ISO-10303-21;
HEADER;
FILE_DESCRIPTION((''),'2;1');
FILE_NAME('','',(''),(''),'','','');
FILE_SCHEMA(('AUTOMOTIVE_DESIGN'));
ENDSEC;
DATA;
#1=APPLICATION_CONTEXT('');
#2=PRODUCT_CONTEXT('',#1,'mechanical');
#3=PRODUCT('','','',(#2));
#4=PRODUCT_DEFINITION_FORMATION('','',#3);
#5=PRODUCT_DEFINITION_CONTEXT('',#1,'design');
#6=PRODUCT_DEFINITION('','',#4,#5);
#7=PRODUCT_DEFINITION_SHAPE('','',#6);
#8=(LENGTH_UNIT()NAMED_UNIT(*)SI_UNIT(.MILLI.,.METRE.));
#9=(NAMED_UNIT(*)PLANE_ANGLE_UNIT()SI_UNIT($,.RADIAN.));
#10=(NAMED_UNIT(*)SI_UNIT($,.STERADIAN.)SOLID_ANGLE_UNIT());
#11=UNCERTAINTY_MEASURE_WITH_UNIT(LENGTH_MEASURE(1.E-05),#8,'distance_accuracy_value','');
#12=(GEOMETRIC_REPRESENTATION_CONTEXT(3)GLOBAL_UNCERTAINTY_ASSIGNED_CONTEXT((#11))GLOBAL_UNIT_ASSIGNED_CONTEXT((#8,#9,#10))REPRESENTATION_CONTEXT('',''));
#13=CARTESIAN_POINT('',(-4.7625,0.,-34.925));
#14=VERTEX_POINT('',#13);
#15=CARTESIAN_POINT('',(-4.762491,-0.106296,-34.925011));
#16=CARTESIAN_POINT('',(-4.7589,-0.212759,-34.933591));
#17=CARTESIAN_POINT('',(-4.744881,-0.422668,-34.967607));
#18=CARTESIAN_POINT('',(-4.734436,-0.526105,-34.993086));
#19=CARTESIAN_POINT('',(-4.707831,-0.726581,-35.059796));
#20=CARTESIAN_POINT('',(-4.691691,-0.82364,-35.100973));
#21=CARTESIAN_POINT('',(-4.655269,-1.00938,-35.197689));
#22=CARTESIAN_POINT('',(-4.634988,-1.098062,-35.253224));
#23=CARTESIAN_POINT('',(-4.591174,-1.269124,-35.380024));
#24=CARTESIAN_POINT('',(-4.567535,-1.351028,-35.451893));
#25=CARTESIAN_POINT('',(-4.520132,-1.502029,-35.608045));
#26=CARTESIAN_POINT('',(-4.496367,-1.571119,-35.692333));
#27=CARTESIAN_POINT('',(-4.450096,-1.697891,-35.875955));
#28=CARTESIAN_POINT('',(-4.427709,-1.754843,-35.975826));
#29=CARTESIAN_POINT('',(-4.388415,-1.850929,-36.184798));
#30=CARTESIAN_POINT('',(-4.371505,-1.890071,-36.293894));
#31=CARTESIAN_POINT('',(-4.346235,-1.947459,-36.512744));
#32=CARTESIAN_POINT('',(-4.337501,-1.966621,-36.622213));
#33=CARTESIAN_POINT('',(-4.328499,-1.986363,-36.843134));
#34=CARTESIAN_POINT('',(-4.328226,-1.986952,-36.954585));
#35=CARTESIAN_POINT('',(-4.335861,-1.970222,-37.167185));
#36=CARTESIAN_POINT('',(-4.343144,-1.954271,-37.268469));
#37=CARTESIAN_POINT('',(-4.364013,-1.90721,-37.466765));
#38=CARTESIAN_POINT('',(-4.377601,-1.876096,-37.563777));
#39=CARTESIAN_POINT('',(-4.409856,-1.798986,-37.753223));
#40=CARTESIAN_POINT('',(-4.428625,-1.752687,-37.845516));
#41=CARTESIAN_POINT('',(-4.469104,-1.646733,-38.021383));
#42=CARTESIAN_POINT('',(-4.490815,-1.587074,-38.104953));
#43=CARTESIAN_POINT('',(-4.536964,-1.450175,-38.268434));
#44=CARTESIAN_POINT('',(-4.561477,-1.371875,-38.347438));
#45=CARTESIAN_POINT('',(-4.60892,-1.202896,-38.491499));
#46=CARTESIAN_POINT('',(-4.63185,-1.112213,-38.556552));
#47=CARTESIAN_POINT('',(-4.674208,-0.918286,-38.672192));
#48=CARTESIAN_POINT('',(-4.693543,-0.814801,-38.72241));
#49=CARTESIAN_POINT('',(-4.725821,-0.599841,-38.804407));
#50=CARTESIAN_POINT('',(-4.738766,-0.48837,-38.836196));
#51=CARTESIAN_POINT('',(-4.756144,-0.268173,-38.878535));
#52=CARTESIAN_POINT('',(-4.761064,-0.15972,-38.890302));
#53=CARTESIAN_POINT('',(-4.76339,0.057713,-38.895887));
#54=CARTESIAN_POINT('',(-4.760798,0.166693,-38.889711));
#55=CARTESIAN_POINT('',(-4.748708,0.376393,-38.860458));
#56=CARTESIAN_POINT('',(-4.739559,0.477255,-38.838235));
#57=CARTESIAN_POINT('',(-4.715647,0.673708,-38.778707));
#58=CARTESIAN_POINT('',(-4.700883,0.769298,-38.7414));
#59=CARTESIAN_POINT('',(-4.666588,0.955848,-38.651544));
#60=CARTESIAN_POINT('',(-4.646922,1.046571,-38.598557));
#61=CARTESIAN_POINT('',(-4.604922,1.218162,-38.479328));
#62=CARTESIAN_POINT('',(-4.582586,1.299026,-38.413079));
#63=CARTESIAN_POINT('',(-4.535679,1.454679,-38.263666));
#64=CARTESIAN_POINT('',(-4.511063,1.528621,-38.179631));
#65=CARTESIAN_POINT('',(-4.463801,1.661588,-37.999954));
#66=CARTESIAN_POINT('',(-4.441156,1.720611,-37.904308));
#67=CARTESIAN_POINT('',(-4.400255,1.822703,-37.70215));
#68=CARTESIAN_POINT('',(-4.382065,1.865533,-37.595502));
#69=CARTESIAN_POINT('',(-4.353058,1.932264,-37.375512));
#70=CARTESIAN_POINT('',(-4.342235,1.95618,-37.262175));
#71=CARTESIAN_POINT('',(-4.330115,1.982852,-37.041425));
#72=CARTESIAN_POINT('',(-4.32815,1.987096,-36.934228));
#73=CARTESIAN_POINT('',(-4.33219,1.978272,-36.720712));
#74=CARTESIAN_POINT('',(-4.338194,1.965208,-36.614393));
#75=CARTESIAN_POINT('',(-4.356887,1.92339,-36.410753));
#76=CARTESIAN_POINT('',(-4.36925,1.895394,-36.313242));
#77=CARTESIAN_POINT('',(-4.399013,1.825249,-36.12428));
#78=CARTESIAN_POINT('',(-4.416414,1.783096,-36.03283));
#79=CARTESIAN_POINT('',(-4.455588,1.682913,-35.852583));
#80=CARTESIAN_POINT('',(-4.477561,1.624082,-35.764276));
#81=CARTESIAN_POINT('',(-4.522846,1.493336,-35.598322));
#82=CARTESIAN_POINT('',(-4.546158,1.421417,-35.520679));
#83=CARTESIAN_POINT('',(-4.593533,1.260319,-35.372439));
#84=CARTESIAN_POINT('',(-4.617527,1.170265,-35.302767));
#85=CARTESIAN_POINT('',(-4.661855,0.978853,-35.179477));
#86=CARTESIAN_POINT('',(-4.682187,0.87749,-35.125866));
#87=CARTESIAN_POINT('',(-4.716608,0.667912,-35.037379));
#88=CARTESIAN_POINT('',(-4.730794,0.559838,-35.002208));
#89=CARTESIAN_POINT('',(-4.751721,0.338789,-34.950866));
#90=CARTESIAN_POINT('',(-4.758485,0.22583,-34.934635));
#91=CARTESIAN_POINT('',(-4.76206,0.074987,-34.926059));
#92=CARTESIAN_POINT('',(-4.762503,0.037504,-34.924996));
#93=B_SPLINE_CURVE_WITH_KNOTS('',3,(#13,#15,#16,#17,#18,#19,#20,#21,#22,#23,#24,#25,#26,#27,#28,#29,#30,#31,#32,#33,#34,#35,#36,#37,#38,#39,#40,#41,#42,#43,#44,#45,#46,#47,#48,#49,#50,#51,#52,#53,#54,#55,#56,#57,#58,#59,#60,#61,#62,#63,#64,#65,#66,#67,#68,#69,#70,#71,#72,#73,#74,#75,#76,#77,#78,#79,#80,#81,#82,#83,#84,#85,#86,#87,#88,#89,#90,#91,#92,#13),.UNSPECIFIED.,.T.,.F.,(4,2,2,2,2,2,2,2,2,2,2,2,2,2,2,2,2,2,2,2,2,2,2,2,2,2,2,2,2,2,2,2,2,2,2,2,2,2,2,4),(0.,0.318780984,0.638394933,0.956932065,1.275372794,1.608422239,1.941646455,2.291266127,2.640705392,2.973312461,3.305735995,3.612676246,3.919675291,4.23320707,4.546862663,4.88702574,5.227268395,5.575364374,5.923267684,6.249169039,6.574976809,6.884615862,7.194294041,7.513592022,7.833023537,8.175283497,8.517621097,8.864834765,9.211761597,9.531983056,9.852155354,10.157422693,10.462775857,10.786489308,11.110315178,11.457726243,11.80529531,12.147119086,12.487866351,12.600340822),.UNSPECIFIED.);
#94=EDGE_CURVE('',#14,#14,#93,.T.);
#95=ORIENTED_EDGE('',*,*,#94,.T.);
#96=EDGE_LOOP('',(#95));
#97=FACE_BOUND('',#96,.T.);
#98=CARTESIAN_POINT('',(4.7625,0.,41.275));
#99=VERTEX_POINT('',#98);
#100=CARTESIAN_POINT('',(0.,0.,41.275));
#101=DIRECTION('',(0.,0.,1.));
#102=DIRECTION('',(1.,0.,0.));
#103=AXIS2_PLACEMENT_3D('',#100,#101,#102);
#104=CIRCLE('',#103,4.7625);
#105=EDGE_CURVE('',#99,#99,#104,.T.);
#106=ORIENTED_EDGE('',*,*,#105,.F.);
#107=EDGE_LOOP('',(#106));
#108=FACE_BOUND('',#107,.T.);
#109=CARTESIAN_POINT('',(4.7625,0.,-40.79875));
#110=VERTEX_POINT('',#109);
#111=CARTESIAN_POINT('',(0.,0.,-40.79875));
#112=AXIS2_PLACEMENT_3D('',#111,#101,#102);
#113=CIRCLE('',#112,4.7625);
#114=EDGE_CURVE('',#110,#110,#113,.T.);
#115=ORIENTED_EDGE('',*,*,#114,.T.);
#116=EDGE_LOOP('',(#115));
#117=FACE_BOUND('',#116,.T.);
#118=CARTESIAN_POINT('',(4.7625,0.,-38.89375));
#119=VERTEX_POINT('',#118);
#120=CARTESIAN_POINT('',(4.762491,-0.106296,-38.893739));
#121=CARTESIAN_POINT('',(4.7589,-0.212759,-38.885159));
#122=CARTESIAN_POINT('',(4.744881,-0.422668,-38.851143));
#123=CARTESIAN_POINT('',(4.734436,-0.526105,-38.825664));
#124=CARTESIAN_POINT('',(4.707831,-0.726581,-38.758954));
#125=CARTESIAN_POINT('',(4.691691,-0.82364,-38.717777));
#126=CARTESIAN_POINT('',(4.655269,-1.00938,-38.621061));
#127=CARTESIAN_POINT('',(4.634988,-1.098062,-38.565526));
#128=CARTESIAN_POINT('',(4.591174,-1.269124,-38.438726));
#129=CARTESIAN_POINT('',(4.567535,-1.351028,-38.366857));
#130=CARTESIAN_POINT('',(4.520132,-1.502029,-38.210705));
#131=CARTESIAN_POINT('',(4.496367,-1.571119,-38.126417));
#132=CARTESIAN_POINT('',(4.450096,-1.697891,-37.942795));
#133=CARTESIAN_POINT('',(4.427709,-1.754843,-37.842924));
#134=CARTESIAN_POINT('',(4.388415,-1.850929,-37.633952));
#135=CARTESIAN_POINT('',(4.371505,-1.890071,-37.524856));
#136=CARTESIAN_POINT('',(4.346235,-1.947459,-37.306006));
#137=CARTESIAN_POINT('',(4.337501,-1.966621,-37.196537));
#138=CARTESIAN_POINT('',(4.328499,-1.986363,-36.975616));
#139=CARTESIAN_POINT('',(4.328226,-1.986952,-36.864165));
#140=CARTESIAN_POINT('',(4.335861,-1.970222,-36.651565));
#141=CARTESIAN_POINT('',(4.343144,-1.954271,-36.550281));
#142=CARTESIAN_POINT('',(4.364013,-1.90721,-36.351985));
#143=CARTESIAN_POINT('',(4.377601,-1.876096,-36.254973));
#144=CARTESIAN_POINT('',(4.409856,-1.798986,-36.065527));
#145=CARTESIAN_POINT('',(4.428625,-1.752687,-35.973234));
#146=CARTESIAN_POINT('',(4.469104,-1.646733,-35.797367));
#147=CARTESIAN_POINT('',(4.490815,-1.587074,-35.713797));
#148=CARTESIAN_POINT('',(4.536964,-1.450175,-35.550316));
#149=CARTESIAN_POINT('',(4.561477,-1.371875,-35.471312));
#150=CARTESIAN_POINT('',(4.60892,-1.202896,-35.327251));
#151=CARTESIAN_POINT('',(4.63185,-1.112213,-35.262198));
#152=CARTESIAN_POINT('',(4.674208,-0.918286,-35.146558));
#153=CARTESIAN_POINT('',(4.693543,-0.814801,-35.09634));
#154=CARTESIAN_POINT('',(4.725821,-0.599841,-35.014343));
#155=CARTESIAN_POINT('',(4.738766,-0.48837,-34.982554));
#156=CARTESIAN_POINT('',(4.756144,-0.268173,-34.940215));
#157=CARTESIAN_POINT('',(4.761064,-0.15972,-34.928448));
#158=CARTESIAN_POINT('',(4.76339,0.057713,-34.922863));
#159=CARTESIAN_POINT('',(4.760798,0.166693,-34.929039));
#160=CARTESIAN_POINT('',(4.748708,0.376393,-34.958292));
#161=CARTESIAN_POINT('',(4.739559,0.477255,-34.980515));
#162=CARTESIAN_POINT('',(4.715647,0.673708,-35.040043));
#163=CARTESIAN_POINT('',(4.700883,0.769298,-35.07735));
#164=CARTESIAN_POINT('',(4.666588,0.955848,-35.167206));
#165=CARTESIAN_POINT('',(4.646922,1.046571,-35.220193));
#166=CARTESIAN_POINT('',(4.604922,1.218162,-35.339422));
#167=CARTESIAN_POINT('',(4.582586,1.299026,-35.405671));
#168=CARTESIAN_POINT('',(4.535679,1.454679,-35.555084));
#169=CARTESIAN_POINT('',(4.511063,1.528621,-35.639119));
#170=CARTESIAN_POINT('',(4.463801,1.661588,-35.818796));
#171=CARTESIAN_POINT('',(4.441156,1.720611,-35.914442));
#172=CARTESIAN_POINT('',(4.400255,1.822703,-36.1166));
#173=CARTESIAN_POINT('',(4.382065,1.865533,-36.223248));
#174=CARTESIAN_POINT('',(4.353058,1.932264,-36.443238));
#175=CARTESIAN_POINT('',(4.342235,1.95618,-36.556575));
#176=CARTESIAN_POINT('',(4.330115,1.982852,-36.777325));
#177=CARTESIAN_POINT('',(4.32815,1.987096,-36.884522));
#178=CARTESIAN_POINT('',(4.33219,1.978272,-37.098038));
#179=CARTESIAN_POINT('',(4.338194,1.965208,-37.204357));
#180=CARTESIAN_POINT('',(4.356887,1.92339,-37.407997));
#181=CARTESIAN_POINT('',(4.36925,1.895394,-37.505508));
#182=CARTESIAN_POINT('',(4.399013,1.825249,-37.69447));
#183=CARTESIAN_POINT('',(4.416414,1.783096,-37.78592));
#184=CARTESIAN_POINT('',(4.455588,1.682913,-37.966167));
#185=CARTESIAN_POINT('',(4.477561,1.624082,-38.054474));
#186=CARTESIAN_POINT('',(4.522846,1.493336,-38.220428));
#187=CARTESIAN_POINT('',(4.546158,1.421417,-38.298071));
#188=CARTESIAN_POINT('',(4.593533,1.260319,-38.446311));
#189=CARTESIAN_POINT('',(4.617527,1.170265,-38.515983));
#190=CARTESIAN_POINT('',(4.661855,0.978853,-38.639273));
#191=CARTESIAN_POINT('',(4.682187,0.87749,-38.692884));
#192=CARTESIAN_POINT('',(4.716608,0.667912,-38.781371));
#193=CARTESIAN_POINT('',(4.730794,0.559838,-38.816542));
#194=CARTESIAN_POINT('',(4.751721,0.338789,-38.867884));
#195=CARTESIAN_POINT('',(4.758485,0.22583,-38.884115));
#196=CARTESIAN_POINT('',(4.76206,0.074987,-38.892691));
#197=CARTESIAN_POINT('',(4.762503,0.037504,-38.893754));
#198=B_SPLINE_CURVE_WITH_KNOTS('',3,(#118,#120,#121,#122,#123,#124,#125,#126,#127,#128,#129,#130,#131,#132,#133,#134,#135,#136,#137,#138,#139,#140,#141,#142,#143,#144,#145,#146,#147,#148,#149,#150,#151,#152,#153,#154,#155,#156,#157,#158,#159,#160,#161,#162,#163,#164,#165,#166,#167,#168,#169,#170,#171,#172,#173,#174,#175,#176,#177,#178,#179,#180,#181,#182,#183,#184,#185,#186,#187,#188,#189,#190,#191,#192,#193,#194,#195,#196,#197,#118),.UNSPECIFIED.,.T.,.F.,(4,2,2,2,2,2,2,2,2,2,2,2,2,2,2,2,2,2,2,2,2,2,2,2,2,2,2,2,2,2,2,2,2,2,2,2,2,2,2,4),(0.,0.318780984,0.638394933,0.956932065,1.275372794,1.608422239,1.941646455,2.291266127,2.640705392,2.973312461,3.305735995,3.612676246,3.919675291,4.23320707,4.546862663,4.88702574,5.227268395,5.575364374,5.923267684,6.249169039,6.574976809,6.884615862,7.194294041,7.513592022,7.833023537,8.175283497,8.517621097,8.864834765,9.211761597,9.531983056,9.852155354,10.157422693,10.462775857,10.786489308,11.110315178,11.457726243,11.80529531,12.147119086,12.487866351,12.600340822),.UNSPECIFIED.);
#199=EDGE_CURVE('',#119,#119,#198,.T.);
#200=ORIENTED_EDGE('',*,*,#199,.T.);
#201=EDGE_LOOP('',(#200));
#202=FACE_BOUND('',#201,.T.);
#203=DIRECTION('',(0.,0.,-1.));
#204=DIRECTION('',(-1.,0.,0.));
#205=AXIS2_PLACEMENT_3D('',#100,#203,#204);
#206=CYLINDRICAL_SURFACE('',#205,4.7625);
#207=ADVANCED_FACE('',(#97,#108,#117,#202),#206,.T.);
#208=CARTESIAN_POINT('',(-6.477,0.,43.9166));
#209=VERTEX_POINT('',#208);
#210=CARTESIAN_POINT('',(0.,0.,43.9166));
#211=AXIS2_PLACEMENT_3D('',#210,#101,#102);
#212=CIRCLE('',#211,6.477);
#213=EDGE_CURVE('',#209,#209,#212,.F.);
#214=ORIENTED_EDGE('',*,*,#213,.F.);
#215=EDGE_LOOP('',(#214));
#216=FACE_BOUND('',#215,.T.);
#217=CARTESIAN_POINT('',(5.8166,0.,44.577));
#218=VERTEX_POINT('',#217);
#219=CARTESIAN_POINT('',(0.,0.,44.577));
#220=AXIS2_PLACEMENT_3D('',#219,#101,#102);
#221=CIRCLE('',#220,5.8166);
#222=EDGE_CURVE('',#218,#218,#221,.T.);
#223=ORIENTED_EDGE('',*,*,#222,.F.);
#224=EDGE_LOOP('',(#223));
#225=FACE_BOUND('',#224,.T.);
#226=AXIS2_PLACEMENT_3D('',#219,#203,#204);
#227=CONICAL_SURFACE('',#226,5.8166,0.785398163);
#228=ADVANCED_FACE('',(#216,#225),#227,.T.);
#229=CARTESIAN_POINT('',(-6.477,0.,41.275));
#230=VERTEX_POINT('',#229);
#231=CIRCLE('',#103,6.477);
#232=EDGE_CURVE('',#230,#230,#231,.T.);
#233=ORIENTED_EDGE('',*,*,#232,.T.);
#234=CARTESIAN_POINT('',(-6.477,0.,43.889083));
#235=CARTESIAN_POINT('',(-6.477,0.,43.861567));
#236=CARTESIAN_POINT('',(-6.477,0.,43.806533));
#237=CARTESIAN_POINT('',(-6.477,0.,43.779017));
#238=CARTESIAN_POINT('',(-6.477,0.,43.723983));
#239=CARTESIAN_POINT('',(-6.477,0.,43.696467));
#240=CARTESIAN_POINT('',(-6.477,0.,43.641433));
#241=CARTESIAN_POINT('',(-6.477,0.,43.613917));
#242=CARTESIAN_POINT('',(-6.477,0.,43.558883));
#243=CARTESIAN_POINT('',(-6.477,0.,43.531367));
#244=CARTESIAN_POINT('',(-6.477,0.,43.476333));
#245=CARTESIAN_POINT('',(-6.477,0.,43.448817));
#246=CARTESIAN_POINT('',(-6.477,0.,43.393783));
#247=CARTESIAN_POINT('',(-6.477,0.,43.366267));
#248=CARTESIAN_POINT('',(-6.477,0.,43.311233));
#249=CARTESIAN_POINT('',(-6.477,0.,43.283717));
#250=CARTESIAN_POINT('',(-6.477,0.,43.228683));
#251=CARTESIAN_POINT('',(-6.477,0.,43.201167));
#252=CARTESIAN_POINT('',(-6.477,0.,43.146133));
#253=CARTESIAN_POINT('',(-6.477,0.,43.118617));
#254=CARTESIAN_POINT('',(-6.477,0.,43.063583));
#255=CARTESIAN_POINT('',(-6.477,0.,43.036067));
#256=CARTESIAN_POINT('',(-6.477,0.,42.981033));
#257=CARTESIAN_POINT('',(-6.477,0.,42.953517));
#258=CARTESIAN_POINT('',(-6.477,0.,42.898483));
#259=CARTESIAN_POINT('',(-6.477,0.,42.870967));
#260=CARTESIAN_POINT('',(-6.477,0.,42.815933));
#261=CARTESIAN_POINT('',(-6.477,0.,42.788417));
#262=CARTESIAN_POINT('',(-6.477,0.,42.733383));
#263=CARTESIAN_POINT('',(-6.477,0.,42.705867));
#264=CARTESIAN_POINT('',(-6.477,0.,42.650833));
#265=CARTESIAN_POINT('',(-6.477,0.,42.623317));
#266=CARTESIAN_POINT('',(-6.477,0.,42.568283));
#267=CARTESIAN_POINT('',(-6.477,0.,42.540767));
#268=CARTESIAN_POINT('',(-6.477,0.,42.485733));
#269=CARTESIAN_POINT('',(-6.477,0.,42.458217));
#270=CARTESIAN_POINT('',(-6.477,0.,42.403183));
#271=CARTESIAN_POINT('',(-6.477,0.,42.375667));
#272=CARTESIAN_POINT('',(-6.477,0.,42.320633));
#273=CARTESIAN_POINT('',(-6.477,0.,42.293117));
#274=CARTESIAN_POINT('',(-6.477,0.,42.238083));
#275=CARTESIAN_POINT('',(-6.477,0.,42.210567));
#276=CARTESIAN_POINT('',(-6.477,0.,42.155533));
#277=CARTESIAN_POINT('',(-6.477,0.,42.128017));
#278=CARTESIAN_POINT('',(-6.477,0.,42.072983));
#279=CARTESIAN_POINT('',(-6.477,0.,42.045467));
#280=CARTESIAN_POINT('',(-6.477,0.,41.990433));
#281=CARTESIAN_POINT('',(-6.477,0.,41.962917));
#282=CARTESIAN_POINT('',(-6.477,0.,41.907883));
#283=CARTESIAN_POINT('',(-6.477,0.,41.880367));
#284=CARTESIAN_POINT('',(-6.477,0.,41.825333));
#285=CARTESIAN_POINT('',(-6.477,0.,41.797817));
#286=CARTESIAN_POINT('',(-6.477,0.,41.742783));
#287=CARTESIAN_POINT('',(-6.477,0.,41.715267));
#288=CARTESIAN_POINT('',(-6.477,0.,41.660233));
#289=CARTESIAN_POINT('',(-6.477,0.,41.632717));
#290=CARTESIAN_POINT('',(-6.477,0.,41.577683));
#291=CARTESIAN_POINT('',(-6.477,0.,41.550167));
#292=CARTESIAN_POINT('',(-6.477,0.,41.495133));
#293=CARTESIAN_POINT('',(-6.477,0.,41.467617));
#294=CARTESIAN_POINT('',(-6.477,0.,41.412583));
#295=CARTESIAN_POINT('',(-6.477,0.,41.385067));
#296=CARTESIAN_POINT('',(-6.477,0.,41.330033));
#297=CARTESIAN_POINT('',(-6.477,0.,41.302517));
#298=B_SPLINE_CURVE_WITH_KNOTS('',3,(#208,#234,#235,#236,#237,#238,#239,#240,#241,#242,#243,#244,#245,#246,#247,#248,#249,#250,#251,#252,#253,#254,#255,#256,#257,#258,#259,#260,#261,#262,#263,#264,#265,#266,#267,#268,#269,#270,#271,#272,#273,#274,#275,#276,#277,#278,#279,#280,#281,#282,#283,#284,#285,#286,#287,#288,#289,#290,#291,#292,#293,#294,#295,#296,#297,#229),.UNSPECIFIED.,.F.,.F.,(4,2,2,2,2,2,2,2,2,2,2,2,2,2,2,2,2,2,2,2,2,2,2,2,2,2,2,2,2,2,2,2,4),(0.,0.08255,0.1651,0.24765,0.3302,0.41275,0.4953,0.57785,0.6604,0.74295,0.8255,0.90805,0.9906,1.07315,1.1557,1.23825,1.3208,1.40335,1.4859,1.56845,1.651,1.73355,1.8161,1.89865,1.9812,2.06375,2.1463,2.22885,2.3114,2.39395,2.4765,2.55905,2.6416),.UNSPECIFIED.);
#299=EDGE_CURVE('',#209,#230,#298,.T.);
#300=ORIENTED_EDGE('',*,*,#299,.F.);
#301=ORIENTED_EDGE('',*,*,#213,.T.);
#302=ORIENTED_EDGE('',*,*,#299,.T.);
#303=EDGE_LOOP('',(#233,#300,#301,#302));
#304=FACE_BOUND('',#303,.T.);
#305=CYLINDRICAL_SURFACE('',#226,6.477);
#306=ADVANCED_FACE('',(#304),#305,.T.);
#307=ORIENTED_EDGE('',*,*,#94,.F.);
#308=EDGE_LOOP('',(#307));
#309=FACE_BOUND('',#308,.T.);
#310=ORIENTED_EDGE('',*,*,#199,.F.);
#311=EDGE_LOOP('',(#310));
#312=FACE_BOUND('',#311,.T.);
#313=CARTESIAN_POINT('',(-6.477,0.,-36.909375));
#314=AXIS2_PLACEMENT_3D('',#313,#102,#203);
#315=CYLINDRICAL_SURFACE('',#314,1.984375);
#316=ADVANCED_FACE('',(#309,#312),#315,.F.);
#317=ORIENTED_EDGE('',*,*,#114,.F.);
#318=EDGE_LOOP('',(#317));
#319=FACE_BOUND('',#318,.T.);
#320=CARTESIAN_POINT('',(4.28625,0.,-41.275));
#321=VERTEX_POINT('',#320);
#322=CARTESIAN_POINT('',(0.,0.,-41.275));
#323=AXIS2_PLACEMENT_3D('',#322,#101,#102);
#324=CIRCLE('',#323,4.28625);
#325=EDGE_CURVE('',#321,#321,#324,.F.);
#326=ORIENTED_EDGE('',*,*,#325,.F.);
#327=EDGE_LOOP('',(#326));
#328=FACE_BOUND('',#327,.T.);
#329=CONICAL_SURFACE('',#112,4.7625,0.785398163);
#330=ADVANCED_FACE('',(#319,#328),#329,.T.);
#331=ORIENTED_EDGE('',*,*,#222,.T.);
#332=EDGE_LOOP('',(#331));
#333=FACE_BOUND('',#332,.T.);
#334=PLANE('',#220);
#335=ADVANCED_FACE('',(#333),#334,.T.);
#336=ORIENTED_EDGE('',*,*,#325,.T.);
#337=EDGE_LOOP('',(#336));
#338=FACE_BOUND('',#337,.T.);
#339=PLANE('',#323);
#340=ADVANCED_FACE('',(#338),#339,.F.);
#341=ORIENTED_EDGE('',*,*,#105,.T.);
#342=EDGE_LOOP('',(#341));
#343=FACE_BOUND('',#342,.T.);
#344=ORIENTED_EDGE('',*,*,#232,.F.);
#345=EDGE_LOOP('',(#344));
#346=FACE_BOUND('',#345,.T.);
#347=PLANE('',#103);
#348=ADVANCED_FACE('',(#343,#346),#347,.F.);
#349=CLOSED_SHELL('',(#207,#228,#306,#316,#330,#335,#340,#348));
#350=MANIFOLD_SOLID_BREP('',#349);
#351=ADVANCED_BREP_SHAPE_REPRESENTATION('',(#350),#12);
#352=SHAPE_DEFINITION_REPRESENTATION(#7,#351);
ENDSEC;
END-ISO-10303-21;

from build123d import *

# Parameters (mm, degrees)
SKETCH1_R           = 4.7625
EXTRUDE1_DEPTH      = 41.275
SKETCH2_R           = 6.477
EXTRUDE2_DEPTH      = 3.302
CHAMFER1_SIZE       = 0.6604
EXTRUDE3_DEPTH      = 46.508372713
EXTRUDE3_DEPTH_BACK = 46.508372713
SKETCH3_R           = 1.984375
CHAMFER2_SIZE       = 0.47625


with BuildPart() as part:
    # Sketch1 → Extrude1 (new, symmetric)
    with BuildSketch(Plane.XY):
        Circle(SKETCH1_R)
    extrude(amount=EXTRUDE1_DEPTH, both=True)

    # Sketch2 → Extrude2 (add)
    with BuildSketch(Plane.XY.offset(41.275)):
        with Locations(Location((0, 0, 0), (0, 0, 180))):
            Circle(SKETCH2_R)
    extrude(amount=EXTRUDE2_DEPTH)

    # Chamfer1
    chamfer1_edges = [part.edges().sort_by_distance(p)[0] for p in [
        (6.477, 0, 44.577),
    ]]
    chamfer(chamfer1_edges, length=CHAMFER1_SIZE)

    # Sketch3 → Extrude3 (cut, two sides: drawn at the far end of the back side and taken through both)
    with BuildSketch(Plane(origin=(0, 0, 0), x_dir=(0, 0, -1), z_dir=(1, 0, 0)).offset(-EXTRUDE3_DEPTH_BACK)):
        with Locations(Location((36.909375, 0, 0), (0, 0, 180.000000002))):
            Circle(SKETCH3_R)
    extrude(amount=EXTRUDE3_DEPTH + EXTRUDE3_DEPTH_BACK, mode=Mode.SUBTRACT)

    # Chamfer2
    chamfer2_edges = [part.edges().sort_by_distance(p)[0] for p in [
        (-4.7625, 0, -41.275),
    ]]
    chamfer(chamfer2_edges, length=CHAMFER2_SIZE)


solid = part.part
